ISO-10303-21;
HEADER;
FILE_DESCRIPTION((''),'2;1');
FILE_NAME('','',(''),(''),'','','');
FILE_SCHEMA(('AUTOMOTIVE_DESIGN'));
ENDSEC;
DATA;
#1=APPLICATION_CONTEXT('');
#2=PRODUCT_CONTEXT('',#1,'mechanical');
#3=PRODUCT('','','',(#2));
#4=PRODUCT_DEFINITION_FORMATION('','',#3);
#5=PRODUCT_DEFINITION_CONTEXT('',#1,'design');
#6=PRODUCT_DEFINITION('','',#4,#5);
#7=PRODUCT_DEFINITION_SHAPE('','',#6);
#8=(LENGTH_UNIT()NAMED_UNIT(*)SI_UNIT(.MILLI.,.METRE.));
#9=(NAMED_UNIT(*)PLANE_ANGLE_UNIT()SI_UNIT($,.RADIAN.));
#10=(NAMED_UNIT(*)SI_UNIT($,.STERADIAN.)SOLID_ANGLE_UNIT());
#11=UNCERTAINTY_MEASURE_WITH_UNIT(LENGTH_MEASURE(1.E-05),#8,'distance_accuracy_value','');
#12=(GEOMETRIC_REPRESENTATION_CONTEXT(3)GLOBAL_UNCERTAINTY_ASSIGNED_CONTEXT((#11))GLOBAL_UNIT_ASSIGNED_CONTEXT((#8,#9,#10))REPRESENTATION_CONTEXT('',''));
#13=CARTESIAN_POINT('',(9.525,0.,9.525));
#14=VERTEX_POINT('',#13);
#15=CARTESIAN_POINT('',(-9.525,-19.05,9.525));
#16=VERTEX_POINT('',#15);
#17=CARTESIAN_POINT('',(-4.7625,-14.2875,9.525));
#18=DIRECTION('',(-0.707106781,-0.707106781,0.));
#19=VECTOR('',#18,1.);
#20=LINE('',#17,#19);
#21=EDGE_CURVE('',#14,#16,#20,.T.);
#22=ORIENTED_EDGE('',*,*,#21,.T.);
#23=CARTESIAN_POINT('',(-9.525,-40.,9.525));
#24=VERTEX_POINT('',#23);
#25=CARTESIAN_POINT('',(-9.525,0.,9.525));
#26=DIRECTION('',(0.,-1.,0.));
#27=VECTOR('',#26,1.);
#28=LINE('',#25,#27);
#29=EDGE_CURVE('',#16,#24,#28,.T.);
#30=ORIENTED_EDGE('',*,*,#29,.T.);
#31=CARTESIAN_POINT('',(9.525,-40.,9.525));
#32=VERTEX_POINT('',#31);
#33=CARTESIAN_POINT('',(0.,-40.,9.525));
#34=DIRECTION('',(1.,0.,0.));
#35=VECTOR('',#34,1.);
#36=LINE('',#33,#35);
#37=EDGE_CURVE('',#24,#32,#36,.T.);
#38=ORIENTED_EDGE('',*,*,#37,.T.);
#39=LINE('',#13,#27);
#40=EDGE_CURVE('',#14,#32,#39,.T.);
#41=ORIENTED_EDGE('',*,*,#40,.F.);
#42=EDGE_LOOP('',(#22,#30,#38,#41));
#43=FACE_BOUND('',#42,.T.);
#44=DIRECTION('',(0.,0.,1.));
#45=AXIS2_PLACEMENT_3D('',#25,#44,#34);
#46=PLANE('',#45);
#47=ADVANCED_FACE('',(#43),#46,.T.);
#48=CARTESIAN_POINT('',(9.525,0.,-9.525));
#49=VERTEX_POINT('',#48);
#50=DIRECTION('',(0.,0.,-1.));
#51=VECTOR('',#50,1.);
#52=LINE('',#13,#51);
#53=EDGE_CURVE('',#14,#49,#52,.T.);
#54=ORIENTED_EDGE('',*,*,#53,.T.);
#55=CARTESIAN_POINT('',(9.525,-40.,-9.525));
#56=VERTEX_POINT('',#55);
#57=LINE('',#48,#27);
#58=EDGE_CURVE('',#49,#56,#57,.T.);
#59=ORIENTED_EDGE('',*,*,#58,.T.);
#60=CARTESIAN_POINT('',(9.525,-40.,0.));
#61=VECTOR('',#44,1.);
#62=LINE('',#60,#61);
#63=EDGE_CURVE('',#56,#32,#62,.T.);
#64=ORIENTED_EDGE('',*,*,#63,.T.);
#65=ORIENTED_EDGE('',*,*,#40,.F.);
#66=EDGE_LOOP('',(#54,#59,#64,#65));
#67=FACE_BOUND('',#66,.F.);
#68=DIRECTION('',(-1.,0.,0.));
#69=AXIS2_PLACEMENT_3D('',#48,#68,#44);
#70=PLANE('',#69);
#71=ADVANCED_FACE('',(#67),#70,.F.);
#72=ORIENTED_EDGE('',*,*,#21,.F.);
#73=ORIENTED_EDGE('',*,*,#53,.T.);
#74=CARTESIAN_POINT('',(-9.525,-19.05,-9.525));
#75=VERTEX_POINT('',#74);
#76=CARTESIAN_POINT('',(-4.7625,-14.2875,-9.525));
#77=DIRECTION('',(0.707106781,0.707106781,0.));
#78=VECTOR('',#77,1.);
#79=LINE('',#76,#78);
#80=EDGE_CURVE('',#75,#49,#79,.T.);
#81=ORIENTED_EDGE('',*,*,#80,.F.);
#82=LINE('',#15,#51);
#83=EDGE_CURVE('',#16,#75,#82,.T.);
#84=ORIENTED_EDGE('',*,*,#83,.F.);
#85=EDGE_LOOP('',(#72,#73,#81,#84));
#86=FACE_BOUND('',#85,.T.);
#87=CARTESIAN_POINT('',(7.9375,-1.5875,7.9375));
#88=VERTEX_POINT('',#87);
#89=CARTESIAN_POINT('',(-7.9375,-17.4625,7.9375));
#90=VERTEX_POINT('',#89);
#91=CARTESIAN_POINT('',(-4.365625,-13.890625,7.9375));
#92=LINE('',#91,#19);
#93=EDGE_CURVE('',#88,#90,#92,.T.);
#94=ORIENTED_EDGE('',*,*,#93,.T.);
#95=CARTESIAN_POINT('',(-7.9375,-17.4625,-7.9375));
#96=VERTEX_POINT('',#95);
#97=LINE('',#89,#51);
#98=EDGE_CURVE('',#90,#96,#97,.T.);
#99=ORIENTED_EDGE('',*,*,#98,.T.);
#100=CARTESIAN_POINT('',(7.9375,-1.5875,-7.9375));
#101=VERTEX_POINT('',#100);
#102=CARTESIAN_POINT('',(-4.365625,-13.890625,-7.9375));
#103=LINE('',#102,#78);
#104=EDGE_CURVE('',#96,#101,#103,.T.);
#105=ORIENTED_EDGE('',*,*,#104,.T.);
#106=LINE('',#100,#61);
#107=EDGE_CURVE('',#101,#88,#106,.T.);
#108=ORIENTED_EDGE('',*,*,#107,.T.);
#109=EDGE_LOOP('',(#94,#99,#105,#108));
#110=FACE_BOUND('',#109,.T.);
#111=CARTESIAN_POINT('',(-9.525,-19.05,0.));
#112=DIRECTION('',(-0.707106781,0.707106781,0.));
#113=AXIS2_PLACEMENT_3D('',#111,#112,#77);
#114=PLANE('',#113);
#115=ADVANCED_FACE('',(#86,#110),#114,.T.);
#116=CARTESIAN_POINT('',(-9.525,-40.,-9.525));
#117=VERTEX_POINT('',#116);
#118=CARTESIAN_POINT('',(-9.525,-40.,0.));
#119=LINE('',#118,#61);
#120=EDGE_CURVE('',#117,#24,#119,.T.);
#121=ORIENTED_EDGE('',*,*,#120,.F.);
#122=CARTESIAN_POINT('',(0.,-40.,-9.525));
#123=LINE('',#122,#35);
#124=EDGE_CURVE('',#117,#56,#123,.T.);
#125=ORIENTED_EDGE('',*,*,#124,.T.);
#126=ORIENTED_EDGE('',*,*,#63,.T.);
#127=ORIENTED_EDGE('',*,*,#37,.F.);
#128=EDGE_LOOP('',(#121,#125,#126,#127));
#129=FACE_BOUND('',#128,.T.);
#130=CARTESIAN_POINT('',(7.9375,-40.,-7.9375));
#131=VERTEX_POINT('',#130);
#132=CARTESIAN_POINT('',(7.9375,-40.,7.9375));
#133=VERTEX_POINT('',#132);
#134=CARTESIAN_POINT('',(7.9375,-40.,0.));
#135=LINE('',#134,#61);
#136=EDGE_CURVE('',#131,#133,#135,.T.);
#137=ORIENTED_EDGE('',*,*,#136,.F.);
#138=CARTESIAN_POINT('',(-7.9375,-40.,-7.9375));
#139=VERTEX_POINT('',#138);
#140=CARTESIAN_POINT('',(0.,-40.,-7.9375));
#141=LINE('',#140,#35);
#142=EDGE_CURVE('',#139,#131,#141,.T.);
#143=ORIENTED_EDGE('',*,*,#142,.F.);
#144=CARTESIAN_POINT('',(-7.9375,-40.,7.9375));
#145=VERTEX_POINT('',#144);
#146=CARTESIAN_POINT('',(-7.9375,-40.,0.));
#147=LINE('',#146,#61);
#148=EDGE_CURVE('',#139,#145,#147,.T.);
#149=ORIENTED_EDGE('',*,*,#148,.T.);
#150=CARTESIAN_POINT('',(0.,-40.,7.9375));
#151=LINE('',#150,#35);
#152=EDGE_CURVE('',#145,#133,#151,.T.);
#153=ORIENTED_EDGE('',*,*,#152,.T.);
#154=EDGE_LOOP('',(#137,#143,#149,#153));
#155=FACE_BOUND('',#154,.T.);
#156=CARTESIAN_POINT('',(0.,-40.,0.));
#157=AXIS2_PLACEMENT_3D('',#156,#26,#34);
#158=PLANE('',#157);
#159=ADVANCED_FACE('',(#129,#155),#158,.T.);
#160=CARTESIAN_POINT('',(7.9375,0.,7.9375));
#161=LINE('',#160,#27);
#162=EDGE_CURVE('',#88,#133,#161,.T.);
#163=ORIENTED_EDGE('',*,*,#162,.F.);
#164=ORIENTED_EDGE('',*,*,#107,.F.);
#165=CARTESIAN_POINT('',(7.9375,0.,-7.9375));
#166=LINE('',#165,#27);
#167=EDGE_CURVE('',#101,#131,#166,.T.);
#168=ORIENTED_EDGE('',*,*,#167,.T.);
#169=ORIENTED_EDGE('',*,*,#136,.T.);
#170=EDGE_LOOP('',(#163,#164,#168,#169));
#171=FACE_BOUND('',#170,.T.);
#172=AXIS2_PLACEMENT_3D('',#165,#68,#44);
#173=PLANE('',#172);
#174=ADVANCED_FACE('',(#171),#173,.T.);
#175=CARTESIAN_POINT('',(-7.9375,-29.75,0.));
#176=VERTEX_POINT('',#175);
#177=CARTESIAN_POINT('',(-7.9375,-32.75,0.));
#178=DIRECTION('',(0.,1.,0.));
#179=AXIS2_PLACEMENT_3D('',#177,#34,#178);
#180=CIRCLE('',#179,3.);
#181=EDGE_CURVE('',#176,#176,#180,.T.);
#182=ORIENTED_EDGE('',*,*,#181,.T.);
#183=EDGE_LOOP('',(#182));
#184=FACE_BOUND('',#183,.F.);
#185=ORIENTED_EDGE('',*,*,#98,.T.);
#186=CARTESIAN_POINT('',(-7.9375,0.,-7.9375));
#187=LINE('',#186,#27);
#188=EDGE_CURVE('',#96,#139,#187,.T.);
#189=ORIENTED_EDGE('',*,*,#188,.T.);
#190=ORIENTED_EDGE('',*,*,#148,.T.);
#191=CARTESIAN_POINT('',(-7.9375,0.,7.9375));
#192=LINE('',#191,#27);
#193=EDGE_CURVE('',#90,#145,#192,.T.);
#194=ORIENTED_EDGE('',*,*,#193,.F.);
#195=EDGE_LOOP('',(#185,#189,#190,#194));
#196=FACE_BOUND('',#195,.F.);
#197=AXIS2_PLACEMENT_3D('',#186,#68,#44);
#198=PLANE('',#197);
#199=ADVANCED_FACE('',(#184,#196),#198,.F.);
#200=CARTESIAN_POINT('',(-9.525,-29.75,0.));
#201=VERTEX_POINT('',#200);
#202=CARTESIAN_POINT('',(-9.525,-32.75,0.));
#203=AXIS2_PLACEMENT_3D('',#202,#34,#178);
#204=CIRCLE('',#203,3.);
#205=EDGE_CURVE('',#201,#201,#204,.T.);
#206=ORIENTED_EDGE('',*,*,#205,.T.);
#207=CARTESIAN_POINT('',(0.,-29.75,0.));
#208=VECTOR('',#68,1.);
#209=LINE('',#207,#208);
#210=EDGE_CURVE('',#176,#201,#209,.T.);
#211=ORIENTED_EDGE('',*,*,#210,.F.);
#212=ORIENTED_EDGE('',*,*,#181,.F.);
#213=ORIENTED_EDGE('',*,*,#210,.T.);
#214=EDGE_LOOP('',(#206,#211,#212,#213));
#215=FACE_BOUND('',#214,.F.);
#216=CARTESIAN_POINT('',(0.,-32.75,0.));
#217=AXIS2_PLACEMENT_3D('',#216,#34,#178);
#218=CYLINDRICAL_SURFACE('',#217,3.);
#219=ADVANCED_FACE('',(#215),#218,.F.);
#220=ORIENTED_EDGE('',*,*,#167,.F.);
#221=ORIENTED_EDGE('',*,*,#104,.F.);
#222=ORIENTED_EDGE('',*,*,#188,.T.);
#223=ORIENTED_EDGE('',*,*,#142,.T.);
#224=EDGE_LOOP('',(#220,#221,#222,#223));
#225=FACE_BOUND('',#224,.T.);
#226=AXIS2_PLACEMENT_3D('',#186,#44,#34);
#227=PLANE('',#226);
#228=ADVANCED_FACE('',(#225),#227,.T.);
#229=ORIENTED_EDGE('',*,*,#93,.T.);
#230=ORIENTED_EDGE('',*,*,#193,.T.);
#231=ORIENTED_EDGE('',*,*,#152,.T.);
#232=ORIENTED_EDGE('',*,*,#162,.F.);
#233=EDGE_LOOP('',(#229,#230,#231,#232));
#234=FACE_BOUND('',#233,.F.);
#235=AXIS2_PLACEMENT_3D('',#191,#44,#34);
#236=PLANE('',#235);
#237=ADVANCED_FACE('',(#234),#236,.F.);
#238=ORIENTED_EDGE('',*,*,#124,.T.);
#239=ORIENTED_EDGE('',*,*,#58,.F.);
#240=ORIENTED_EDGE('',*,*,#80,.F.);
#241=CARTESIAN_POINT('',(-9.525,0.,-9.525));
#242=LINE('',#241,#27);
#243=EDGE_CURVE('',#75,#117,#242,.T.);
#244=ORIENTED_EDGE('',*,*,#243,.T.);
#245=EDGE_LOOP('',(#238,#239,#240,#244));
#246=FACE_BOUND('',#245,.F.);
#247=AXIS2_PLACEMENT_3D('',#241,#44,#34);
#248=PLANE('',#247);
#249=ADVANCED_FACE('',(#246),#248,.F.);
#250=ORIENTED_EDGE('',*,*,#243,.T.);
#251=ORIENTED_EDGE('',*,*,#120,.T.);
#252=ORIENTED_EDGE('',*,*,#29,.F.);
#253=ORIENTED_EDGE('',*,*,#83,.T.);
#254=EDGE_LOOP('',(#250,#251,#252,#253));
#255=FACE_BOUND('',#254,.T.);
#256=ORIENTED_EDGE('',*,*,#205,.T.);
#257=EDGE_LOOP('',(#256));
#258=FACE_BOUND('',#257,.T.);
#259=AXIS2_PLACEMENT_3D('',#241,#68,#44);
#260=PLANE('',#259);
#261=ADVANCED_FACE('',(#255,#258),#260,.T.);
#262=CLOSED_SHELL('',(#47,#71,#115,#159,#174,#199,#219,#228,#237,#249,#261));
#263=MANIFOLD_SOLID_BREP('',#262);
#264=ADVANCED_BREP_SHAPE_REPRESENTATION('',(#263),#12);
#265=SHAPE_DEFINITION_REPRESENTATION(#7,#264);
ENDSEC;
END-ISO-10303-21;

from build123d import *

# Parameters (mm, degrees)
F0_W     = 19.05
F0_H     = 19.05
F0_W_2   = 15.875
F0_H_2   = 15.875
F1_DEPTH = 40
F3_DEPTH = 9.526
F4_DEPTH = 9.526
F5_R     = 3
F6_DEPTH = 9.526


with BuildPart() as f1:
    # F0 (on Front) → F1 (new body)
    with BuildSketch(Plane.XZ):
        Rectangle(F0_W, F0_H)
        Rectangle(F0_W_2, F0_H_2, mode=Mode.SUBTRACT)
    extrude(amount=F1_DEPTH)

    # F2 (on Top) → F3 (cut, through all)
    with BuildSketch(Plane.XY):
        Polygon((9.525, 0), (-9.525, 0), (-9.525, -19.05), align=None)
    extrude(amount=-F3_DEPTH, mode=Mode.SUBTRACT)

    # F2 (on Top) → F4 (cut, through all)
    with BuildSketch(Plane.XY):
        Polygon((9.525, 0), (-9.525, 0), (-9.525, -19.05), align=None)
    extrude(amount=F4_DEPTH, mode=Mode.SUBTRACT)

    # F5 (on Right) → F6 (cut, through all)
    with BuildSketch(Plane.YZ):
        with Locations((-32.75, 0)):
            Circle(F5_R)
    extrude(amount=-F6_DEPTH, mode=Mode.SUBTRACT)


solid = f1.part
